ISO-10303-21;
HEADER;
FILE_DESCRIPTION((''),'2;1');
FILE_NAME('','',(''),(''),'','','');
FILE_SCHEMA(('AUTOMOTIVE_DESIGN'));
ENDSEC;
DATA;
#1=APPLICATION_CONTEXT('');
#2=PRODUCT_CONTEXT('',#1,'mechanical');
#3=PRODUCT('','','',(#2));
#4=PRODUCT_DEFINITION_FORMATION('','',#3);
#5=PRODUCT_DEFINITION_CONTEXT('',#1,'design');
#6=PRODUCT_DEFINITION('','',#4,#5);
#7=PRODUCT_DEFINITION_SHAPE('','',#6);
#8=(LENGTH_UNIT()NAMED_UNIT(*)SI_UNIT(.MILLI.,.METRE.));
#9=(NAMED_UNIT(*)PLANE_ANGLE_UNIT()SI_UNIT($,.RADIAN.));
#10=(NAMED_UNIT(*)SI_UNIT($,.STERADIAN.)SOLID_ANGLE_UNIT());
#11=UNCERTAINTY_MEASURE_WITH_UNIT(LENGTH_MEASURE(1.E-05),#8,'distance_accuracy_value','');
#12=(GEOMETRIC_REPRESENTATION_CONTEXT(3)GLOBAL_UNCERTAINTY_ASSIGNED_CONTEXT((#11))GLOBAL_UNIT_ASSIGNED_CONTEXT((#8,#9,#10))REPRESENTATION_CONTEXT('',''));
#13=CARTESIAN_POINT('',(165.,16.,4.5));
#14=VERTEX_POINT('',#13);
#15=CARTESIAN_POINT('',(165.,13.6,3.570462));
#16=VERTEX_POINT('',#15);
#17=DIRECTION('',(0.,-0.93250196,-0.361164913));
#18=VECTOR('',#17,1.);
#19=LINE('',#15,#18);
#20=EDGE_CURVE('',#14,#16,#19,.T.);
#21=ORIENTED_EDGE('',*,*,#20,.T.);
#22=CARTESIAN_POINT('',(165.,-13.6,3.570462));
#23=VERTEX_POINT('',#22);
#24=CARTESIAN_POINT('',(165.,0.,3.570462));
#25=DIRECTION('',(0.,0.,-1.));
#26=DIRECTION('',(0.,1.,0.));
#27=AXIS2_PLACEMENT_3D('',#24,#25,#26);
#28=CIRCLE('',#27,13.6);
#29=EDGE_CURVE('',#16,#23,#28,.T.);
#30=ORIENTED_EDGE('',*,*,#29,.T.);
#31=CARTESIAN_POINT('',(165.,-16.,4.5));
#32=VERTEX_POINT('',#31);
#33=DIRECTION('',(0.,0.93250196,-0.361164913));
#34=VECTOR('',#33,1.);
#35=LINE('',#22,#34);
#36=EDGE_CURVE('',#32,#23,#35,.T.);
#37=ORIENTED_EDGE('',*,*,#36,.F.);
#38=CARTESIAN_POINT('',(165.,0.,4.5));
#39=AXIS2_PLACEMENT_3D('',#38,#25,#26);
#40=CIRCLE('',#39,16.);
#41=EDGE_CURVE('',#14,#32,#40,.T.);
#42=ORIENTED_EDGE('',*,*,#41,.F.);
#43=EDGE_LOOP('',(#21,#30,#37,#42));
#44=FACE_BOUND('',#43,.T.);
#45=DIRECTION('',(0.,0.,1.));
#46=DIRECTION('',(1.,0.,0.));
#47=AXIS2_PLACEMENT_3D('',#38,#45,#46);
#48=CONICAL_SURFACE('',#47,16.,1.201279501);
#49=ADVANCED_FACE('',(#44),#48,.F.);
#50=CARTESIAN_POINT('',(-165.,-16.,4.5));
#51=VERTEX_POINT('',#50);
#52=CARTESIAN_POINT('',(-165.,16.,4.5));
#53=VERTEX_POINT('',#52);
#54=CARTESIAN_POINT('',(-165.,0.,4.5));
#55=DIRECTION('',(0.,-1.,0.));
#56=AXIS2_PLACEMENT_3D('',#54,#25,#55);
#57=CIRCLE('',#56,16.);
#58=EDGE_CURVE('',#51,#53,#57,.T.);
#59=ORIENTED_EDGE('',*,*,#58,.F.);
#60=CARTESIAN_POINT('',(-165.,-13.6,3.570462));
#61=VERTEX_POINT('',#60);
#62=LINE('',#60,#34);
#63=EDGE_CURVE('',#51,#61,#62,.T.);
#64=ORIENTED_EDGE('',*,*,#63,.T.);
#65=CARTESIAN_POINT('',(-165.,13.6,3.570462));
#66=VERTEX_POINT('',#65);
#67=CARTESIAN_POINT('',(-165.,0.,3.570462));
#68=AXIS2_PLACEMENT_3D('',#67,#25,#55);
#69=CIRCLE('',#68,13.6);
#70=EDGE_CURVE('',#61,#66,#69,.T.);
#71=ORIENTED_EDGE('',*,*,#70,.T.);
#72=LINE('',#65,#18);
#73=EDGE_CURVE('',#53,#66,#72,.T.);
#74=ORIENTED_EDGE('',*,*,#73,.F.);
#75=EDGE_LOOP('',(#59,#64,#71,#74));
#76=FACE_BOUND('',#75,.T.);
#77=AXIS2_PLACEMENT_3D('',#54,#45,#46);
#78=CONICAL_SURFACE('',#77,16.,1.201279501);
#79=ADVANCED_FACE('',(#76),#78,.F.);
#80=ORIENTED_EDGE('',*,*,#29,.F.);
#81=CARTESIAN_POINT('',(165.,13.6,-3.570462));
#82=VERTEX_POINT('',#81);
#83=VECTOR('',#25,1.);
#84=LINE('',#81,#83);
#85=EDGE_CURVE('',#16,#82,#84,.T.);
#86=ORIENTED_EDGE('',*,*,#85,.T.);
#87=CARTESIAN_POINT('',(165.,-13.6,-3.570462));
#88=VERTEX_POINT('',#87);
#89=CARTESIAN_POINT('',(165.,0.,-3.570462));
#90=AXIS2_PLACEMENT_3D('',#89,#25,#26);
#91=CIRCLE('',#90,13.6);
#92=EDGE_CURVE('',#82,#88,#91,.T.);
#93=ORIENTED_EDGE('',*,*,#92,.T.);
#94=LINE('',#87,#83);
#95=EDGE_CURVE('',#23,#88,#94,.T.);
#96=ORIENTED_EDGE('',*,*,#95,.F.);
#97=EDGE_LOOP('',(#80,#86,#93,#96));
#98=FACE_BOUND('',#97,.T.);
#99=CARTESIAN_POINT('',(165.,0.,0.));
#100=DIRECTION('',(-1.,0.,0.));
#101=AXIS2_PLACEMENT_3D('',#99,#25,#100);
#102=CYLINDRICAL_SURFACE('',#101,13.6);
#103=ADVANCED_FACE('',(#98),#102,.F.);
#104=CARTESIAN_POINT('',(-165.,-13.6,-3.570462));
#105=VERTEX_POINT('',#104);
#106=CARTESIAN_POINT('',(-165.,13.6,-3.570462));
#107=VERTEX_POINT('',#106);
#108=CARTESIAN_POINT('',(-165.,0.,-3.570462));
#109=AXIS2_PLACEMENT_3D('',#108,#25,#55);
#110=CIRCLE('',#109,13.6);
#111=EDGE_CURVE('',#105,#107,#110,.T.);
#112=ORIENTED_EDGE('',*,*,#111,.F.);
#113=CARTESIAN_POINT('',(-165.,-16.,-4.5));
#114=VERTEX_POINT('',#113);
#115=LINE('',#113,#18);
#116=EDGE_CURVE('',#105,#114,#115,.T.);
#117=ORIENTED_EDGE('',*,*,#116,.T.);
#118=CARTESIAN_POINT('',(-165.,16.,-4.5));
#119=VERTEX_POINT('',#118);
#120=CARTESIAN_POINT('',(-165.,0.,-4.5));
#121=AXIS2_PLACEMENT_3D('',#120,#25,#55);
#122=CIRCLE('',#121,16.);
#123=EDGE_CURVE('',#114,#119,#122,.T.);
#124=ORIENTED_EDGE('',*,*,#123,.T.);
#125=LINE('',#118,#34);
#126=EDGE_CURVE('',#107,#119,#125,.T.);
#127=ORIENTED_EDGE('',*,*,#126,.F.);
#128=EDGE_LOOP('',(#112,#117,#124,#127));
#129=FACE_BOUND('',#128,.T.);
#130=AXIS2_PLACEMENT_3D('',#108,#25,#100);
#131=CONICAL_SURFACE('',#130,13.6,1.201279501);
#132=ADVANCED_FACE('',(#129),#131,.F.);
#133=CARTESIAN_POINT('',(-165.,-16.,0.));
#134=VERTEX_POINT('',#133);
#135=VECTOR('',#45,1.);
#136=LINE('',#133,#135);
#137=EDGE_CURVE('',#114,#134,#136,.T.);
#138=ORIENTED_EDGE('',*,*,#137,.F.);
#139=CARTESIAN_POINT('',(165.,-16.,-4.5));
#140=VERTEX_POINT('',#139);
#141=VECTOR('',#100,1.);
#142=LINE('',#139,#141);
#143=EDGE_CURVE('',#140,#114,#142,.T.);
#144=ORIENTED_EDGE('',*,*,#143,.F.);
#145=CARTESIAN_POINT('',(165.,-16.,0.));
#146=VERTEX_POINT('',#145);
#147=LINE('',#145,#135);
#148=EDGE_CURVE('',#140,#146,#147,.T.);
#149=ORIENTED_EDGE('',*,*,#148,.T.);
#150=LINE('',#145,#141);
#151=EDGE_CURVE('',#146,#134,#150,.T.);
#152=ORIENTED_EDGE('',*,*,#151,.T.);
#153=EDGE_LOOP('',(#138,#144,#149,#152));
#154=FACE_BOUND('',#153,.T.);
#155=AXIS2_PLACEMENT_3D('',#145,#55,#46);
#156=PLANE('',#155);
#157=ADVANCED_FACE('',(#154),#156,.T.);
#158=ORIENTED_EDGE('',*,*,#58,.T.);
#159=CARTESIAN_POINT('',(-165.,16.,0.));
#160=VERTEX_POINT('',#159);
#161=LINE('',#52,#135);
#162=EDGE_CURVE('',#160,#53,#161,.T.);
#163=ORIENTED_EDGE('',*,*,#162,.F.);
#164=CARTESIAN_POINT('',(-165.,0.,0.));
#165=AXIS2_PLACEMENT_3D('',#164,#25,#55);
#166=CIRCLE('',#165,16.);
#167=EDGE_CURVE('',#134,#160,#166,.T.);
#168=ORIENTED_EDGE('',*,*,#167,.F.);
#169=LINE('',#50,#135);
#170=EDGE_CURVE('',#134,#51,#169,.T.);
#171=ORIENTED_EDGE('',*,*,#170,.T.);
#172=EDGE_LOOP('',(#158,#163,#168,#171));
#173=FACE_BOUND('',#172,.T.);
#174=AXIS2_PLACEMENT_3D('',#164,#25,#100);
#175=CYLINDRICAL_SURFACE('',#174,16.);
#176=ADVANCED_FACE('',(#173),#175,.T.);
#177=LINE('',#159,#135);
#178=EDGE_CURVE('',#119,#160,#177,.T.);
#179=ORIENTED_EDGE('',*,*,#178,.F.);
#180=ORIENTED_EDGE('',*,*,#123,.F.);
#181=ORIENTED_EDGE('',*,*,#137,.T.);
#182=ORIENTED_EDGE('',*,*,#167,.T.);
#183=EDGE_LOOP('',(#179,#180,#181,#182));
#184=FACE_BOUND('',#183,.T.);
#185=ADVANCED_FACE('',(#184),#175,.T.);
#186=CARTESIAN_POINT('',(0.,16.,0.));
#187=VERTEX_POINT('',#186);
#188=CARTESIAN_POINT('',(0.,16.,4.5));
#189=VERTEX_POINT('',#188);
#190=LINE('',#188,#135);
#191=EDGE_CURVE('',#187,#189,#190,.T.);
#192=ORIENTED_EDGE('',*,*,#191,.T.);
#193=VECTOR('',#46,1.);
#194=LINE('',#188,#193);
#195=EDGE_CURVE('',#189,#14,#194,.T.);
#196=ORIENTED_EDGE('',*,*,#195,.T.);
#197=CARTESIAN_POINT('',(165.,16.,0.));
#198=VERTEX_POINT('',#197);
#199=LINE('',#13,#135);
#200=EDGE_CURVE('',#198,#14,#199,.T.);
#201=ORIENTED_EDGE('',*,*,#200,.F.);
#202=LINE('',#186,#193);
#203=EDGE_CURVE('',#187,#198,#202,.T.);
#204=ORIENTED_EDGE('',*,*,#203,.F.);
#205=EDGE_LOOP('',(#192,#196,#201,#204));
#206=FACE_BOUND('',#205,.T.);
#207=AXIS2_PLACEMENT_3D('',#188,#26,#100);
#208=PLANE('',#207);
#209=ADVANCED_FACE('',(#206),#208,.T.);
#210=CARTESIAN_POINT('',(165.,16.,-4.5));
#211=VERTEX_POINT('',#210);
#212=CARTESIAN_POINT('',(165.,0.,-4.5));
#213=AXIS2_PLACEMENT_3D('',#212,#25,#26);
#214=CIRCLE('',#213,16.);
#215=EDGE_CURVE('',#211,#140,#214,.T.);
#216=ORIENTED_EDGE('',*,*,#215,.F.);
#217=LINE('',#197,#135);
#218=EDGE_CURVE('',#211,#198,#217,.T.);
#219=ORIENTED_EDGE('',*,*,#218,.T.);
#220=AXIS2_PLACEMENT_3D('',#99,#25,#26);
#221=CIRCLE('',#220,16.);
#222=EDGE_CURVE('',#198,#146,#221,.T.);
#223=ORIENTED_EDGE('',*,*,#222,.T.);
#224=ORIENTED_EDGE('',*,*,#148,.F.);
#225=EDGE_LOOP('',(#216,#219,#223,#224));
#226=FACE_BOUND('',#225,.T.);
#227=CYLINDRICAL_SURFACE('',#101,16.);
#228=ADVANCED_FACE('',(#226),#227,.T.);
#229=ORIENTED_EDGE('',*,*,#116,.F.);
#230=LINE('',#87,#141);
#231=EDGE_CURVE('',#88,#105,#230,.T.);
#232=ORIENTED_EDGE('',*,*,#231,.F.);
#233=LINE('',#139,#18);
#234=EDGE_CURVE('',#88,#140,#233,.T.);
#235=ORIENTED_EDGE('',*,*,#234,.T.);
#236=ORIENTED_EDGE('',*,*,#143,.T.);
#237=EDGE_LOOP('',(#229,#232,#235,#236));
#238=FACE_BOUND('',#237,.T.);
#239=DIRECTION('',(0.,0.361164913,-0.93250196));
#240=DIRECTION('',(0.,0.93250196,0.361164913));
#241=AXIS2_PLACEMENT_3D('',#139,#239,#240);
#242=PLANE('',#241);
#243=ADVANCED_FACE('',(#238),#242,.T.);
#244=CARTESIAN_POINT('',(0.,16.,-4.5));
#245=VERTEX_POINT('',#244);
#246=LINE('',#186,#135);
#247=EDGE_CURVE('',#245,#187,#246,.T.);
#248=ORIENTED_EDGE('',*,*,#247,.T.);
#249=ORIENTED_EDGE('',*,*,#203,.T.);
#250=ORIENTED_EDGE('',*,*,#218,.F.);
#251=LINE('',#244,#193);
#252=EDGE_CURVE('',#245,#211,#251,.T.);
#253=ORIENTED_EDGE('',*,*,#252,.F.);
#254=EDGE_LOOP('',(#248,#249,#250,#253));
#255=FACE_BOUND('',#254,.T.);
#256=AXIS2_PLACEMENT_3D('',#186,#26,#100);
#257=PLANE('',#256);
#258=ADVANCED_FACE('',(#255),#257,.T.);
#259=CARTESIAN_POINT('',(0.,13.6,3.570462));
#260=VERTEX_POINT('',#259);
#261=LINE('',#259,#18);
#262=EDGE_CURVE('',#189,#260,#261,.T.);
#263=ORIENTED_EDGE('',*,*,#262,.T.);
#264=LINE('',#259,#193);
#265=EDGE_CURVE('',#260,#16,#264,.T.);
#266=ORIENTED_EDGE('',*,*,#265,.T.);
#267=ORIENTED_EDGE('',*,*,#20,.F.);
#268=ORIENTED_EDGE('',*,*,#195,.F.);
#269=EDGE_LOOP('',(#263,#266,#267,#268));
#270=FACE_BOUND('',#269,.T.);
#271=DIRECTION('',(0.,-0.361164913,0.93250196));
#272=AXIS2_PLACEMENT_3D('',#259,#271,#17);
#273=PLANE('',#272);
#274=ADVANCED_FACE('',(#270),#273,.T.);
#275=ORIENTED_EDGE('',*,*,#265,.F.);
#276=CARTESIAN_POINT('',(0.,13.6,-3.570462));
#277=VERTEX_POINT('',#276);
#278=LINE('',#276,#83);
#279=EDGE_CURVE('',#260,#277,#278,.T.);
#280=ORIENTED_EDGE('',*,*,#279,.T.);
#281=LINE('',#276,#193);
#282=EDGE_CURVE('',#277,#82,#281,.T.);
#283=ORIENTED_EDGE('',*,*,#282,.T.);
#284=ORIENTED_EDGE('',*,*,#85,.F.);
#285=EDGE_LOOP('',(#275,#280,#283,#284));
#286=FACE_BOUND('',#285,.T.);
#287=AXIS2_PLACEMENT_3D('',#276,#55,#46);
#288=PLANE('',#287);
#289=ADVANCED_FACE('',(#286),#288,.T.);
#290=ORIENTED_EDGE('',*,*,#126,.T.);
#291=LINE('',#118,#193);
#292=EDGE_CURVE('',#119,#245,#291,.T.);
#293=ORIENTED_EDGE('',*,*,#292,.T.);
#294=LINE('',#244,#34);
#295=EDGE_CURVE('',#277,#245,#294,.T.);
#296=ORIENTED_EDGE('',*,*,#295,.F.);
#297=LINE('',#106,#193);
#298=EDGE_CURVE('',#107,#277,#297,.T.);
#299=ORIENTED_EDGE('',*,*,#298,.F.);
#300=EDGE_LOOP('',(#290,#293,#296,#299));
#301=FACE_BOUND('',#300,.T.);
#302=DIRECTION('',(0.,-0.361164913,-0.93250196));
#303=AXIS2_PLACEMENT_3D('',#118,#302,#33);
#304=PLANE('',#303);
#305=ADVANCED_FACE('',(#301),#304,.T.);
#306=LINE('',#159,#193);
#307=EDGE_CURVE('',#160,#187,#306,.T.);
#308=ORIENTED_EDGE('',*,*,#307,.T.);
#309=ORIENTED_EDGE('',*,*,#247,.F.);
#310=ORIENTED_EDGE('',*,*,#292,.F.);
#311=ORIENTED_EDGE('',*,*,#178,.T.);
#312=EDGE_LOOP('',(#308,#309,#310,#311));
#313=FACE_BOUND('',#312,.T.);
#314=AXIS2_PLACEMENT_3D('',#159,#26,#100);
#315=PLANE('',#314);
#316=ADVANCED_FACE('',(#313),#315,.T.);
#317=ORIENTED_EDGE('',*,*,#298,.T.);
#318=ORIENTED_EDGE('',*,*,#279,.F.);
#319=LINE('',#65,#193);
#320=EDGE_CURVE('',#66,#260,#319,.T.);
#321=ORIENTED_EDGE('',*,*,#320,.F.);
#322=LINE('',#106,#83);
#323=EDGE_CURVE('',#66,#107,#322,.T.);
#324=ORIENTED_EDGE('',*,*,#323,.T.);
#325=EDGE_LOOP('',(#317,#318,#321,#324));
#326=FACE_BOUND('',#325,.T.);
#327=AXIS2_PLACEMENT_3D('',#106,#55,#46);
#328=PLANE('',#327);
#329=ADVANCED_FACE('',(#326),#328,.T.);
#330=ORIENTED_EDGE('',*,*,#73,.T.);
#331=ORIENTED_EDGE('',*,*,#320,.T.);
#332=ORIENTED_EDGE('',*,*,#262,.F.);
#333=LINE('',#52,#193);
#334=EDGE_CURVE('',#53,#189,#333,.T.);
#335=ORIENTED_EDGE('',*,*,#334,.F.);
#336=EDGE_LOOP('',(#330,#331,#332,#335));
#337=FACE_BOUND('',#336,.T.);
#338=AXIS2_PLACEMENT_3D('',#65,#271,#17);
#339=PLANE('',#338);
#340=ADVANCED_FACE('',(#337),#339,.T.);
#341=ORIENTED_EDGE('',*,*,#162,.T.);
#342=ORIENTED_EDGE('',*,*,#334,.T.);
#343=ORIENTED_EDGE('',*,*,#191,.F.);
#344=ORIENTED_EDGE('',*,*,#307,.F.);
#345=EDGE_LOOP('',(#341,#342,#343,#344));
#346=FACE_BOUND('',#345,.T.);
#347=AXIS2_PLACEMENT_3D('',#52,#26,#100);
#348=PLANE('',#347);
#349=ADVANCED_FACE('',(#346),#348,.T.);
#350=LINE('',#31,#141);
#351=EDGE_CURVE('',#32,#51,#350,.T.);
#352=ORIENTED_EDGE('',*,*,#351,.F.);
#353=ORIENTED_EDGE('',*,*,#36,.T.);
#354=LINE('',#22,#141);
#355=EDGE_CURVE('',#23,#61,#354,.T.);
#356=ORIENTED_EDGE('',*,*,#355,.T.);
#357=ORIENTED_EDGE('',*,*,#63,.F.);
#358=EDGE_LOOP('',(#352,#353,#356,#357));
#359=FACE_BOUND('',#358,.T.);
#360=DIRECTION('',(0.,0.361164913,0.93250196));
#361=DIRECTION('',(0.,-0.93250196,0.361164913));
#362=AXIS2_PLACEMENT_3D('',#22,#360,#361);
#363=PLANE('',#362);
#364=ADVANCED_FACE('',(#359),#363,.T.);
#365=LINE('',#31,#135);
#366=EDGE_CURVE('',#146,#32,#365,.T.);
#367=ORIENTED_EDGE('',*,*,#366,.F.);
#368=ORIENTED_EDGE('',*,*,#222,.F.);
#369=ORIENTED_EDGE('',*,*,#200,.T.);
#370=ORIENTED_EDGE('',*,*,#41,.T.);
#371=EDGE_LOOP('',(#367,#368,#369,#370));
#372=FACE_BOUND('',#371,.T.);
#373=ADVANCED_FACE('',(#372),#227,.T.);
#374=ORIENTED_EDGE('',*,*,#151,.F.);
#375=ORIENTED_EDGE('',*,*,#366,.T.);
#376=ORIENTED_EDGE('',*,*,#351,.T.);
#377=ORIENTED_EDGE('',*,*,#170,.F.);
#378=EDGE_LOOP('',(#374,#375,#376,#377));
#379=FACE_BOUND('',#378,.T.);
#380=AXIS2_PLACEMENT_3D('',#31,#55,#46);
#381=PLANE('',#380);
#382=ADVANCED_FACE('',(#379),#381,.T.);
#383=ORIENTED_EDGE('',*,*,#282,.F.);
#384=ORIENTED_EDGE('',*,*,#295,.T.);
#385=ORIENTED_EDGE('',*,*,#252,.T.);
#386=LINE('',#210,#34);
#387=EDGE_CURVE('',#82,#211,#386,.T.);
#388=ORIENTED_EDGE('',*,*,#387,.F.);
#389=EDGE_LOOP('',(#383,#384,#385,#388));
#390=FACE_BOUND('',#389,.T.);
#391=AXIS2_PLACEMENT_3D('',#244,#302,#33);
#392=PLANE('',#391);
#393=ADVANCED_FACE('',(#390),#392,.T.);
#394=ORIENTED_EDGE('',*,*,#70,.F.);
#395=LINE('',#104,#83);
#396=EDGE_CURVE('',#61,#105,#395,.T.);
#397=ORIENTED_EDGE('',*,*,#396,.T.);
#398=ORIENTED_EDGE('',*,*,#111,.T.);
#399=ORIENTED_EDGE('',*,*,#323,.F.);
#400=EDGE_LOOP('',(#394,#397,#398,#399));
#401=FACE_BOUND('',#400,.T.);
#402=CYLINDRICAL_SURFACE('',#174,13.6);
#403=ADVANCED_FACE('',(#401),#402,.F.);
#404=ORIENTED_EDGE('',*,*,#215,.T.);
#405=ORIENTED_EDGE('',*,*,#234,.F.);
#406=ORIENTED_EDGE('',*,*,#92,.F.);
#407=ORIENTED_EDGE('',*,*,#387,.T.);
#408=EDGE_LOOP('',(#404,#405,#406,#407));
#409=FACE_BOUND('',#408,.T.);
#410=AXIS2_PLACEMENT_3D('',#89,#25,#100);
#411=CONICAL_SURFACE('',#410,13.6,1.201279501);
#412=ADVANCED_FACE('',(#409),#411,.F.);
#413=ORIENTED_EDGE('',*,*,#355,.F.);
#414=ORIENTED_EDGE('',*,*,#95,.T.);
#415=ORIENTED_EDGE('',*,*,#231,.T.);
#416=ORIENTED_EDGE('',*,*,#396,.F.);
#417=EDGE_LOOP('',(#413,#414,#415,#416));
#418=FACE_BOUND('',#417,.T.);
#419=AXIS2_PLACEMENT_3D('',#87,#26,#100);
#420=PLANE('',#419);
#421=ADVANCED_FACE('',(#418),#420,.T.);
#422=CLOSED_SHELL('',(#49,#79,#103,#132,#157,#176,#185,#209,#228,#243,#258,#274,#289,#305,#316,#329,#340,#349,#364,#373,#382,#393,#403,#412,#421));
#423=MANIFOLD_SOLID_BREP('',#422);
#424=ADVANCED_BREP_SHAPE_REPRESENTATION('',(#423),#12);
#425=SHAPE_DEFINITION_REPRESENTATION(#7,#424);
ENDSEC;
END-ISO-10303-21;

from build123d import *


with BuildPart() as part:
    # 扫描1: sweep along a path in 草图1
    with BuildLine(Plane.XY) as sweep_1_path:
        Line((165, -16), (-165, -16))
        ThreePointArc((-165, -16), (-181, 0), (-165, 16))
        Line((-165, 16), (165, 16))
        ThreePointArc((165, 16), (181, 0), (165, -16))
    # 草图2 → 扫描1 (sweep)
    with BuildSketch(Plane(origin=(0, 0, 0), x_dir=(0, 0, -1), z_dir=(1, 0, 0))):
        Polygon((0, 16), (4.5, 16), (3.570462231, 13.6), (-3.570462231, 13.6), (-4.5, 16), align=None)
    sweep(path=sweep_1_path.line)


solid = part.part
